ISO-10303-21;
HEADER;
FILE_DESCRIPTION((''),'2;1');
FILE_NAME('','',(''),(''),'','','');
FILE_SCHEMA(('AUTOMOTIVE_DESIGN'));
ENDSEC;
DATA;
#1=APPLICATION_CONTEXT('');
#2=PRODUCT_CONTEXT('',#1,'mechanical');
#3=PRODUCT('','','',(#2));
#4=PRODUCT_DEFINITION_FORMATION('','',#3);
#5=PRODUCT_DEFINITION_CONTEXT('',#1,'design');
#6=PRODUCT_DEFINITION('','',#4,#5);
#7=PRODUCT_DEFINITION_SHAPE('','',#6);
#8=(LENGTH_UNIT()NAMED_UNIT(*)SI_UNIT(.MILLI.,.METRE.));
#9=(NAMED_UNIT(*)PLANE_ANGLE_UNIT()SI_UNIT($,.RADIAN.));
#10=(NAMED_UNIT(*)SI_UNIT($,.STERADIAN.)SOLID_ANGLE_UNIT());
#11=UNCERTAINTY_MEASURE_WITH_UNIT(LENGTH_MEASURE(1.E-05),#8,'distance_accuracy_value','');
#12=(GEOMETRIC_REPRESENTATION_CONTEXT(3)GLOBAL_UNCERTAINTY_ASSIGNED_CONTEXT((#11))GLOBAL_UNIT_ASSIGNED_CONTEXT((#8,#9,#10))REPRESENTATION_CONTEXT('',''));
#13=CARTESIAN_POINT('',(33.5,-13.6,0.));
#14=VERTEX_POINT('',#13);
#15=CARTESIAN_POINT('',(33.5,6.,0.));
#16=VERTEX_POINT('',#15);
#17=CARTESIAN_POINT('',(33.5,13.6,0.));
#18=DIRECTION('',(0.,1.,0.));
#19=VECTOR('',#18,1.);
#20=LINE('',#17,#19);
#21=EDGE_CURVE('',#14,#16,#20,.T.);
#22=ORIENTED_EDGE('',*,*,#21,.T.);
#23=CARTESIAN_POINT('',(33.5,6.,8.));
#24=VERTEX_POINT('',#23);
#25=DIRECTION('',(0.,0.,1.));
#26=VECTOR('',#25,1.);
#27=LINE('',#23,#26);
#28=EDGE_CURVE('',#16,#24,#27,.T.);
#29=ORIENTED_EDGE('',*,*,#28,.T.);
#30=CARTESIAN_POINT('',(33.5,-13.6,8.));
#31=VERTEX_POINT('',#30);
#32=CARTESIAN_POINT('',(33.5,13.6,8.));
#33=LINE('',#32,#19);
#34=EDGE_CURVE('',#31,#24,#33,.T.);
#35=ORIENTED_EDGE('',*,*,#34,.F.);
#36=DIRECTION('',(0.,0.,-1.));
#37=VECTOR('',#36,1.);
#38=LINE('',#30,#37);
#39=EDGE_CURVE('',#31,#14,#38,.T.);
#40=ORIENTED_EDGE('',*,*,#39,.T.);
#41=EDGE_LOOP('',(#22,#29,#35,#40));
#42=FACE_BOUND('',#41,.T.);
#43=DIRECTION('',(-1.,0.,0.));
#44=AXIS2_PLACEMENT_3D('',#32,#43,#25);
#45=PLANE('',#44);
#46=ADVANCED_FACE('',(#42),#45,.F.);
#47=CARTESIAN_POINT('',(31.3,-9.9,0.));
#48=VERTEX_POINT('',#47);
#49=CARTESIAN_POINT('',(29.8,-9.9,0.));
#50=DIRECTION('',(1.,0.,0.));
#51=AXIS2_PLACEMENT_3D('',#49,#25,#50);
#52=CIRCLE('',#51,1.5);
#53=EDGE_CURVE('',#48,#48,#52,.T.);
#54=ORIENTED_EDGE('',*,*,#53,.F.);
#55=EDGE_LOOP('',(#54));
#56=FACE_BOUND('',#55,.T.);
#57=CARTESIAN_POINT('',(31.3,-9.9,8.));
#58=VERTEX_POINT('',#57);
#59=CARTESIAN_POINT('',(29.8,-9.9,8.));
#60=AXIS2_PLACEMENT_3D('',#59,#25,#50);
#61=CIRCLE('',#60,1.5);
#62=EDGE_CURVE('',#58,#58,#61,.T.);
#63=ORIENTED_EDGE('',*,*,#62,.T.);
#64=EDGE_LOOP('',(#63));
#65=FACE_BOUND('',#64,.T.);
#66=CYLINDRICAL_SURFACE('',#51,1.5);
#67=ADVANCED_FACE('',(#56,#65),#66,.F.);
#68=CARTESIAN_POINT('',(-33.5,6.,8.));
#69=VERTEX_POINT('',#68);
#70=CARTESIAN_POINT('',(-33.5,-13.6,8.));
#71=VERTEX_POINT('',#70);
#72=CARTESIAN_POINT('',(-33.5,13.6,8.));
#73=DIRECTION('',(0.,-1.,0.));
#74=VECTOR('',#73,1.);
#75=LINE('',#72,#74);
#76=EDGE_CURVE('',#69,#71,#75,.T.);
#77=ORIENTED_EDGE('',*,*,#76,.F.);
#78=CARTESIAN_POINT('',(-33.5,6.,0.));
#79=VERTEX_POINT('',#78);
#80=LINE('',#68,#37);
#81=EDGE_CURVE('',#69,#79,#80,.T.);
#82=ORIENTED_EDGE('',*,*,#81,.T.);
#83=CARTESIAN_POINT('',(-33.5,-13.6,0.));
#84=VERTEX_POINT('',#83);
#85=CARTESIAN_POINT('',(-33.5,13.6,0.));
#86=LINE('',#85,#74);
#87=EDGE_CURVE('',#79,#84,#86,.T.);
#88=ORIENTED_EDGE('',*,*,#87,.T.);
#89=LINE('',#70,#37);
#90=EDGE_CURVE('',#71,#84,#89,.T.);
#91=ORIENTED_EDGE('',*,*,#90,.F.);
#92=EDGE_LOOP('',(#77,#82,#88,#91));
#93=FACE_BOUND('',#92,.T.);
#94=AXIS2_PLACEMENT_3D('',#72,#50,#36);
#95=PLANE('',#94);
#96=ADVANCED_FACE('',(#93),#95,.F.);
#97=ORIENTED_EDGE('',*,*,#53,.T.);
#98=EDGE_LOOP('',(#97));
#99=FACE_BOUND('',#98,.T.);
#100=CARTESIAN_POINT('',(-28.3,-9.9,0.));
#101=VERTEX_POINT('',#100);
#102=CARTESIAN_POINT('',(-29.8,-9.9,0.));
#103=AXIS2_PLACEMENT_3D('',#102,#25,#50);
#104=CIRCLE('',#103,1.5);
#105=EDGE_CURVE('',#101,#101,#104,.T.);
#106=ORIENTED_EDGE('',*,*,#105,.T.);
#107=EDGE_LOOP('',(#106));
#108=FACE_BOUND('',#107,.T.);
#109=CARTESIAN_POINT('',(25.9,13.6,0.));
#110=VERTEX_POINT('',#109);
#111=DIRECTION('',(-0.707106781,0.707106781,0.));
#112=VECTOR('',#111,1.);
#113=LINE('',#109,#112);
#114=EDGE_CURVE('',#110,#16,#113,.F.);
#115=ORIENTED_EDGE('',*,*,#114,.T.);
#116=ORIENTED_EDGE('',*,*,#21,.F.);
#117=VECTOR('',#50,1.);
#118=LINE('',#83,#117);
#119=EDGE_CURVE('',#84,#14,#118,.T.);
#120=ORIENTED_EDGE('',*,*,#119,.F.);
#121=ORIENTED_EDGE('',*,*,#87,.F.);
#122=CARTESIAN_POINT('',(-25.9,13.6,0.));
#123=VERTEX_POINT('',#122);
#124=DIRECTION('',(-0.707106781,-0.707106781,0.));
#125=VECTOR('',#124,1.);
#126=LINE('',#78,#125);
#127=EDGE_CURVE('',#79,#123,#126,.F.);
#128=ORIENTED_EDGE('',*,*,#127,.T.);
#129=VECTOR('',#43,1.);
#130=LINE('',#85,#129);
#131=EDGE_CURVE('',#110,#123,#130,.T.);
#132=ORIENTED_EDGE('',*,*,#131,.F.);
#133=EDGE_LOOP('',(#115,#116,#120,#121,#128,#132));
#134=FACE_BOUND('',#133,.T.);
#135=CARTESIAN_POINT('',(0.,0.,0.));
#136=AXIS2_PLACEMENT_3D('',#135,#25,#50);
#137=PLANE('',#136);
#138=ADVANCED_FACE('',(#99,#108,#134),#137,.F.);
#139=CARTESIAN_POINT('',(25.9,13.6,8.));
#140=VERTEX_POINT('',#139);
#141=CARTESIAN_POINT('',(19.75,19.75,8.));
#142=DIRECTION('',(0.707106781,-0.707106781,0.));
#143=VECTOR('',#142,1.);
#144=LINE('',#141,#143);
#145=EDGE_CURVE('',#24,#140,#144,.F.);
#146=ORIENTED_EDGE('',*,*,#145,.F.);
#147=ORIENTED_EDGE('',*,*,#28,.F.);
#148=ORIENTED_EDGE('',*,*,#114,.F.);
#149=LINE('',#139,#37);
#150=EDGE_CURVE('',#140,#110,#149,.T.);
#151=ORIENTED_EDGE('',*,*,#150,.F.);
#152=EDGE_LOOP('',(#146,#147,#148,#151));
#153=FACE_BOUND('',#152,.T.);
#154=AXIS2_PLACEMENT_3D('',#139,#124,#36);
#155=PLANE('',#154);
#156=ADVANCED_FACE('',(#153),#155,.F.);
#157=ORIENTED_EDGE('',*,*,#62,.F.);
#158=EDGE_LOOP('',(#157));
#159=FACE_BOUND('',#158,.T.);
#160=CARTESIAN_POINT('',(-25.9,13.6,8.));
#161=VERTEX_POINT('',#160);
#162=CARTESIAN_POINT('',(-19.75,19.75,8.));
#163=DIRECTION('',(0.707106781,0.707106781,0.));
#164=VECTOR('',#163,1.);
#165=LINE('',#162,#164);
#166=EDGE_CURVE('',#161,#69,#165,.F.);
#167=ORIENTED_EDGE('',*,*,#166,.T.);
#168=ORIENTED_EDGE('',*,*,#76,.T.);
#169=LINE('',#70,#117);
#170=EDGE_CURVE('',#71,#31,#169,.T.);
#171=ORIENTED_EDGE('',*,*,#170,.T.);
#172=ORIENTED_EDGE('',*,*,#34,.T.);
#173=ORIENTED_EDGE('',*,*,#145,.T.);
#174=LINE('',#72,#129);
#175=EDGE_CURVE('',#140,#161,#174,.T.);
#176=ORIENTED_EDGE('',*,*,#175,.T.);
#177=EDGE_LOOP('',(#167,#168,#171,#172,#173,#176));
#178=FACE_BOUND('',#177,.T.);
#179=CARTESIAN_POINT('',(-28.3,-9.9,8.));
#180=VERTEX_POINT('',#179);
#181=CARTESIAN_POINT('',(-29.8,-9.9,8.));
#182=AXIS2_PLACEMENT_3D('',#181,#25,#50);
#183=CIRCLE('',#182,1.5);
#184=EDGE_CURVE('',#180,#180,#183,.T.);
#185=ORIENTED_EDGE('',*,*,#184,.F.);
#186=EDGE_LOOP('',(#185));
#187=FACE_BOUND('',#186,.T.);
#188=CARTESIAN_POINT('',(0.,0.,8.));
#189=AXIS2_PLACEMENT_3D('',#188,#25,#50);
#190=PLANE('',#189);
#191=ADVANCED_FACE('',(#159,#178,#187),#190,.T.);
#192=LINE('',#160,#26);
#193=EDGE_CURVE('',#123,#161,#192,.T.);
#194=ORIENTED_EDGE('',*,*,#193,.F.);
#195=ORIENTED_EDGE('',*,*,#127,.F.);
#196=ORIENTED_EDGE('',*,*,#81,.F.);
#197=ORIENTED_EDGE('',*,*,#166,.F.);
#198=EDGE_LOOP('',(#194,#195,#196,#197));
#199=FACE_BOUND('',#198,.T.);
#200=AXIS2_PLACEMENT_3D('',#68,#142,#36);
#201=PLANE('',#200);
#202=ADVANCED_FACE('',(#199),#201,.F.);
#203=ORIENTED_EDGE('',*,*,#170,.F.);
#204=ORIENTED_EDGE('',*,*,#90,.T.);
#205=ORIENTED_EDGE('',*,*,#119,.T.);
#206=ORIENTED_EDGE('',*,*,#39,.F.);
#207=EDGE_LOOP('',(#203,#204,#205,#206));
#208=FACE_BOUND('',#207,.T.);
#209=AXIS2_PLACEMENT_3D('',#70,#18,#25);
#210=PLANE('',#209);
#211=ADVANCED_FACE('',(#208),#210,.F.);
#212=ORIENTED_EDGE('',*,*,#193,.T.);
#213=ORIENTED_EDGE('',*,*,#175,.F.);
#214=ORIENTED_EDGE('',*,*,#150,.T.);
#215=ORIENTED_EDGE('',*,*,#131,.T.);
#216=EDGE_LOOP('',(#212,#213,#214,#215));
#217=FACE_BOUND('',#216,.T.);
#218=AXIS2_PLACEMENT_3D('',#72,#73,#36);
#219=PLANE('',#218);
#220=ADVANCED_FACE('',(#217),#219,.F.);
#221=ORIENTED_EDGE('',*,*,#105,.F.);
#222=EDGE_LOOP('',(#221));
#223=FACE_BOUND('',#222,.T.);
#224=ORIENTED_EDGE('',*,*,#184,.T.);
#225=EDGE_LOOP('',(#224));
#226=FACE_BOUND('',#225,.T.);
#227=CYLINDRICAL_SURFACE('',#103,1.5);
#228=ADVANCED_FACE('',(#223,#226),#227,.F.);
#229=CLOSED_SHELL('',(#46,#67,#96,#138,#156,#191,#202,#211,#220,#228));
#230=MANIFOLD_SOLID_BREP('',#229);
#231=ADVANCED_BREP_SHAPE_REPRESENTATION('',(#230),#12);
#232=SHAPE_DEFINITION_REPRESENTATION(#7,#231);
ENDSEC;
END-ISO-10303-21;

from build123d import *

# Parameters (mm, degrees)
SKETCH1_W           = 67
SKETCH1_H           = 27.2
BOSS_EXTRUDE1_DEPTH = 8
SKETCH3_R           = 1.5
CUT_EXTRUDE1_DEPTH  = 8
CHAMFER1_SIZE       = 7.6


with BuildPart() as part:
    # Sketch1 → Boss-Extrude1 (new body)
    with BuildSketch(Plane.XY):
        Rectangle(SKETCH1_W, SKETCH1_H)
    extrude(amount=BOSS_EXTRUDE1_DEPTH)

    # Sketch3 → Cut-Extrude1 (cut)
    with BuildSketch(Plane.XY.offset(8)):
        with Locations((29.8, -9.9)):
            Circle(SKETCH3_R)
        with Locations((-29.8, -9.9)):
            Circle(SKETCH3_R)
    extrude(amount=-CUT_EXTRUDE1_DEPTH, mode=Mode.SUBTRACT)

    # Chamfer1
    chamfer1_edges = [part.edges().sort_by_distance(p)[0] for p in [
        (-33.5, 13.6, 4),
        (33.5, 13.6, 4),
    ]]
    chamfer(chamfer1_edges, length=CHAMFER1_SIZE)


solid = part.part
